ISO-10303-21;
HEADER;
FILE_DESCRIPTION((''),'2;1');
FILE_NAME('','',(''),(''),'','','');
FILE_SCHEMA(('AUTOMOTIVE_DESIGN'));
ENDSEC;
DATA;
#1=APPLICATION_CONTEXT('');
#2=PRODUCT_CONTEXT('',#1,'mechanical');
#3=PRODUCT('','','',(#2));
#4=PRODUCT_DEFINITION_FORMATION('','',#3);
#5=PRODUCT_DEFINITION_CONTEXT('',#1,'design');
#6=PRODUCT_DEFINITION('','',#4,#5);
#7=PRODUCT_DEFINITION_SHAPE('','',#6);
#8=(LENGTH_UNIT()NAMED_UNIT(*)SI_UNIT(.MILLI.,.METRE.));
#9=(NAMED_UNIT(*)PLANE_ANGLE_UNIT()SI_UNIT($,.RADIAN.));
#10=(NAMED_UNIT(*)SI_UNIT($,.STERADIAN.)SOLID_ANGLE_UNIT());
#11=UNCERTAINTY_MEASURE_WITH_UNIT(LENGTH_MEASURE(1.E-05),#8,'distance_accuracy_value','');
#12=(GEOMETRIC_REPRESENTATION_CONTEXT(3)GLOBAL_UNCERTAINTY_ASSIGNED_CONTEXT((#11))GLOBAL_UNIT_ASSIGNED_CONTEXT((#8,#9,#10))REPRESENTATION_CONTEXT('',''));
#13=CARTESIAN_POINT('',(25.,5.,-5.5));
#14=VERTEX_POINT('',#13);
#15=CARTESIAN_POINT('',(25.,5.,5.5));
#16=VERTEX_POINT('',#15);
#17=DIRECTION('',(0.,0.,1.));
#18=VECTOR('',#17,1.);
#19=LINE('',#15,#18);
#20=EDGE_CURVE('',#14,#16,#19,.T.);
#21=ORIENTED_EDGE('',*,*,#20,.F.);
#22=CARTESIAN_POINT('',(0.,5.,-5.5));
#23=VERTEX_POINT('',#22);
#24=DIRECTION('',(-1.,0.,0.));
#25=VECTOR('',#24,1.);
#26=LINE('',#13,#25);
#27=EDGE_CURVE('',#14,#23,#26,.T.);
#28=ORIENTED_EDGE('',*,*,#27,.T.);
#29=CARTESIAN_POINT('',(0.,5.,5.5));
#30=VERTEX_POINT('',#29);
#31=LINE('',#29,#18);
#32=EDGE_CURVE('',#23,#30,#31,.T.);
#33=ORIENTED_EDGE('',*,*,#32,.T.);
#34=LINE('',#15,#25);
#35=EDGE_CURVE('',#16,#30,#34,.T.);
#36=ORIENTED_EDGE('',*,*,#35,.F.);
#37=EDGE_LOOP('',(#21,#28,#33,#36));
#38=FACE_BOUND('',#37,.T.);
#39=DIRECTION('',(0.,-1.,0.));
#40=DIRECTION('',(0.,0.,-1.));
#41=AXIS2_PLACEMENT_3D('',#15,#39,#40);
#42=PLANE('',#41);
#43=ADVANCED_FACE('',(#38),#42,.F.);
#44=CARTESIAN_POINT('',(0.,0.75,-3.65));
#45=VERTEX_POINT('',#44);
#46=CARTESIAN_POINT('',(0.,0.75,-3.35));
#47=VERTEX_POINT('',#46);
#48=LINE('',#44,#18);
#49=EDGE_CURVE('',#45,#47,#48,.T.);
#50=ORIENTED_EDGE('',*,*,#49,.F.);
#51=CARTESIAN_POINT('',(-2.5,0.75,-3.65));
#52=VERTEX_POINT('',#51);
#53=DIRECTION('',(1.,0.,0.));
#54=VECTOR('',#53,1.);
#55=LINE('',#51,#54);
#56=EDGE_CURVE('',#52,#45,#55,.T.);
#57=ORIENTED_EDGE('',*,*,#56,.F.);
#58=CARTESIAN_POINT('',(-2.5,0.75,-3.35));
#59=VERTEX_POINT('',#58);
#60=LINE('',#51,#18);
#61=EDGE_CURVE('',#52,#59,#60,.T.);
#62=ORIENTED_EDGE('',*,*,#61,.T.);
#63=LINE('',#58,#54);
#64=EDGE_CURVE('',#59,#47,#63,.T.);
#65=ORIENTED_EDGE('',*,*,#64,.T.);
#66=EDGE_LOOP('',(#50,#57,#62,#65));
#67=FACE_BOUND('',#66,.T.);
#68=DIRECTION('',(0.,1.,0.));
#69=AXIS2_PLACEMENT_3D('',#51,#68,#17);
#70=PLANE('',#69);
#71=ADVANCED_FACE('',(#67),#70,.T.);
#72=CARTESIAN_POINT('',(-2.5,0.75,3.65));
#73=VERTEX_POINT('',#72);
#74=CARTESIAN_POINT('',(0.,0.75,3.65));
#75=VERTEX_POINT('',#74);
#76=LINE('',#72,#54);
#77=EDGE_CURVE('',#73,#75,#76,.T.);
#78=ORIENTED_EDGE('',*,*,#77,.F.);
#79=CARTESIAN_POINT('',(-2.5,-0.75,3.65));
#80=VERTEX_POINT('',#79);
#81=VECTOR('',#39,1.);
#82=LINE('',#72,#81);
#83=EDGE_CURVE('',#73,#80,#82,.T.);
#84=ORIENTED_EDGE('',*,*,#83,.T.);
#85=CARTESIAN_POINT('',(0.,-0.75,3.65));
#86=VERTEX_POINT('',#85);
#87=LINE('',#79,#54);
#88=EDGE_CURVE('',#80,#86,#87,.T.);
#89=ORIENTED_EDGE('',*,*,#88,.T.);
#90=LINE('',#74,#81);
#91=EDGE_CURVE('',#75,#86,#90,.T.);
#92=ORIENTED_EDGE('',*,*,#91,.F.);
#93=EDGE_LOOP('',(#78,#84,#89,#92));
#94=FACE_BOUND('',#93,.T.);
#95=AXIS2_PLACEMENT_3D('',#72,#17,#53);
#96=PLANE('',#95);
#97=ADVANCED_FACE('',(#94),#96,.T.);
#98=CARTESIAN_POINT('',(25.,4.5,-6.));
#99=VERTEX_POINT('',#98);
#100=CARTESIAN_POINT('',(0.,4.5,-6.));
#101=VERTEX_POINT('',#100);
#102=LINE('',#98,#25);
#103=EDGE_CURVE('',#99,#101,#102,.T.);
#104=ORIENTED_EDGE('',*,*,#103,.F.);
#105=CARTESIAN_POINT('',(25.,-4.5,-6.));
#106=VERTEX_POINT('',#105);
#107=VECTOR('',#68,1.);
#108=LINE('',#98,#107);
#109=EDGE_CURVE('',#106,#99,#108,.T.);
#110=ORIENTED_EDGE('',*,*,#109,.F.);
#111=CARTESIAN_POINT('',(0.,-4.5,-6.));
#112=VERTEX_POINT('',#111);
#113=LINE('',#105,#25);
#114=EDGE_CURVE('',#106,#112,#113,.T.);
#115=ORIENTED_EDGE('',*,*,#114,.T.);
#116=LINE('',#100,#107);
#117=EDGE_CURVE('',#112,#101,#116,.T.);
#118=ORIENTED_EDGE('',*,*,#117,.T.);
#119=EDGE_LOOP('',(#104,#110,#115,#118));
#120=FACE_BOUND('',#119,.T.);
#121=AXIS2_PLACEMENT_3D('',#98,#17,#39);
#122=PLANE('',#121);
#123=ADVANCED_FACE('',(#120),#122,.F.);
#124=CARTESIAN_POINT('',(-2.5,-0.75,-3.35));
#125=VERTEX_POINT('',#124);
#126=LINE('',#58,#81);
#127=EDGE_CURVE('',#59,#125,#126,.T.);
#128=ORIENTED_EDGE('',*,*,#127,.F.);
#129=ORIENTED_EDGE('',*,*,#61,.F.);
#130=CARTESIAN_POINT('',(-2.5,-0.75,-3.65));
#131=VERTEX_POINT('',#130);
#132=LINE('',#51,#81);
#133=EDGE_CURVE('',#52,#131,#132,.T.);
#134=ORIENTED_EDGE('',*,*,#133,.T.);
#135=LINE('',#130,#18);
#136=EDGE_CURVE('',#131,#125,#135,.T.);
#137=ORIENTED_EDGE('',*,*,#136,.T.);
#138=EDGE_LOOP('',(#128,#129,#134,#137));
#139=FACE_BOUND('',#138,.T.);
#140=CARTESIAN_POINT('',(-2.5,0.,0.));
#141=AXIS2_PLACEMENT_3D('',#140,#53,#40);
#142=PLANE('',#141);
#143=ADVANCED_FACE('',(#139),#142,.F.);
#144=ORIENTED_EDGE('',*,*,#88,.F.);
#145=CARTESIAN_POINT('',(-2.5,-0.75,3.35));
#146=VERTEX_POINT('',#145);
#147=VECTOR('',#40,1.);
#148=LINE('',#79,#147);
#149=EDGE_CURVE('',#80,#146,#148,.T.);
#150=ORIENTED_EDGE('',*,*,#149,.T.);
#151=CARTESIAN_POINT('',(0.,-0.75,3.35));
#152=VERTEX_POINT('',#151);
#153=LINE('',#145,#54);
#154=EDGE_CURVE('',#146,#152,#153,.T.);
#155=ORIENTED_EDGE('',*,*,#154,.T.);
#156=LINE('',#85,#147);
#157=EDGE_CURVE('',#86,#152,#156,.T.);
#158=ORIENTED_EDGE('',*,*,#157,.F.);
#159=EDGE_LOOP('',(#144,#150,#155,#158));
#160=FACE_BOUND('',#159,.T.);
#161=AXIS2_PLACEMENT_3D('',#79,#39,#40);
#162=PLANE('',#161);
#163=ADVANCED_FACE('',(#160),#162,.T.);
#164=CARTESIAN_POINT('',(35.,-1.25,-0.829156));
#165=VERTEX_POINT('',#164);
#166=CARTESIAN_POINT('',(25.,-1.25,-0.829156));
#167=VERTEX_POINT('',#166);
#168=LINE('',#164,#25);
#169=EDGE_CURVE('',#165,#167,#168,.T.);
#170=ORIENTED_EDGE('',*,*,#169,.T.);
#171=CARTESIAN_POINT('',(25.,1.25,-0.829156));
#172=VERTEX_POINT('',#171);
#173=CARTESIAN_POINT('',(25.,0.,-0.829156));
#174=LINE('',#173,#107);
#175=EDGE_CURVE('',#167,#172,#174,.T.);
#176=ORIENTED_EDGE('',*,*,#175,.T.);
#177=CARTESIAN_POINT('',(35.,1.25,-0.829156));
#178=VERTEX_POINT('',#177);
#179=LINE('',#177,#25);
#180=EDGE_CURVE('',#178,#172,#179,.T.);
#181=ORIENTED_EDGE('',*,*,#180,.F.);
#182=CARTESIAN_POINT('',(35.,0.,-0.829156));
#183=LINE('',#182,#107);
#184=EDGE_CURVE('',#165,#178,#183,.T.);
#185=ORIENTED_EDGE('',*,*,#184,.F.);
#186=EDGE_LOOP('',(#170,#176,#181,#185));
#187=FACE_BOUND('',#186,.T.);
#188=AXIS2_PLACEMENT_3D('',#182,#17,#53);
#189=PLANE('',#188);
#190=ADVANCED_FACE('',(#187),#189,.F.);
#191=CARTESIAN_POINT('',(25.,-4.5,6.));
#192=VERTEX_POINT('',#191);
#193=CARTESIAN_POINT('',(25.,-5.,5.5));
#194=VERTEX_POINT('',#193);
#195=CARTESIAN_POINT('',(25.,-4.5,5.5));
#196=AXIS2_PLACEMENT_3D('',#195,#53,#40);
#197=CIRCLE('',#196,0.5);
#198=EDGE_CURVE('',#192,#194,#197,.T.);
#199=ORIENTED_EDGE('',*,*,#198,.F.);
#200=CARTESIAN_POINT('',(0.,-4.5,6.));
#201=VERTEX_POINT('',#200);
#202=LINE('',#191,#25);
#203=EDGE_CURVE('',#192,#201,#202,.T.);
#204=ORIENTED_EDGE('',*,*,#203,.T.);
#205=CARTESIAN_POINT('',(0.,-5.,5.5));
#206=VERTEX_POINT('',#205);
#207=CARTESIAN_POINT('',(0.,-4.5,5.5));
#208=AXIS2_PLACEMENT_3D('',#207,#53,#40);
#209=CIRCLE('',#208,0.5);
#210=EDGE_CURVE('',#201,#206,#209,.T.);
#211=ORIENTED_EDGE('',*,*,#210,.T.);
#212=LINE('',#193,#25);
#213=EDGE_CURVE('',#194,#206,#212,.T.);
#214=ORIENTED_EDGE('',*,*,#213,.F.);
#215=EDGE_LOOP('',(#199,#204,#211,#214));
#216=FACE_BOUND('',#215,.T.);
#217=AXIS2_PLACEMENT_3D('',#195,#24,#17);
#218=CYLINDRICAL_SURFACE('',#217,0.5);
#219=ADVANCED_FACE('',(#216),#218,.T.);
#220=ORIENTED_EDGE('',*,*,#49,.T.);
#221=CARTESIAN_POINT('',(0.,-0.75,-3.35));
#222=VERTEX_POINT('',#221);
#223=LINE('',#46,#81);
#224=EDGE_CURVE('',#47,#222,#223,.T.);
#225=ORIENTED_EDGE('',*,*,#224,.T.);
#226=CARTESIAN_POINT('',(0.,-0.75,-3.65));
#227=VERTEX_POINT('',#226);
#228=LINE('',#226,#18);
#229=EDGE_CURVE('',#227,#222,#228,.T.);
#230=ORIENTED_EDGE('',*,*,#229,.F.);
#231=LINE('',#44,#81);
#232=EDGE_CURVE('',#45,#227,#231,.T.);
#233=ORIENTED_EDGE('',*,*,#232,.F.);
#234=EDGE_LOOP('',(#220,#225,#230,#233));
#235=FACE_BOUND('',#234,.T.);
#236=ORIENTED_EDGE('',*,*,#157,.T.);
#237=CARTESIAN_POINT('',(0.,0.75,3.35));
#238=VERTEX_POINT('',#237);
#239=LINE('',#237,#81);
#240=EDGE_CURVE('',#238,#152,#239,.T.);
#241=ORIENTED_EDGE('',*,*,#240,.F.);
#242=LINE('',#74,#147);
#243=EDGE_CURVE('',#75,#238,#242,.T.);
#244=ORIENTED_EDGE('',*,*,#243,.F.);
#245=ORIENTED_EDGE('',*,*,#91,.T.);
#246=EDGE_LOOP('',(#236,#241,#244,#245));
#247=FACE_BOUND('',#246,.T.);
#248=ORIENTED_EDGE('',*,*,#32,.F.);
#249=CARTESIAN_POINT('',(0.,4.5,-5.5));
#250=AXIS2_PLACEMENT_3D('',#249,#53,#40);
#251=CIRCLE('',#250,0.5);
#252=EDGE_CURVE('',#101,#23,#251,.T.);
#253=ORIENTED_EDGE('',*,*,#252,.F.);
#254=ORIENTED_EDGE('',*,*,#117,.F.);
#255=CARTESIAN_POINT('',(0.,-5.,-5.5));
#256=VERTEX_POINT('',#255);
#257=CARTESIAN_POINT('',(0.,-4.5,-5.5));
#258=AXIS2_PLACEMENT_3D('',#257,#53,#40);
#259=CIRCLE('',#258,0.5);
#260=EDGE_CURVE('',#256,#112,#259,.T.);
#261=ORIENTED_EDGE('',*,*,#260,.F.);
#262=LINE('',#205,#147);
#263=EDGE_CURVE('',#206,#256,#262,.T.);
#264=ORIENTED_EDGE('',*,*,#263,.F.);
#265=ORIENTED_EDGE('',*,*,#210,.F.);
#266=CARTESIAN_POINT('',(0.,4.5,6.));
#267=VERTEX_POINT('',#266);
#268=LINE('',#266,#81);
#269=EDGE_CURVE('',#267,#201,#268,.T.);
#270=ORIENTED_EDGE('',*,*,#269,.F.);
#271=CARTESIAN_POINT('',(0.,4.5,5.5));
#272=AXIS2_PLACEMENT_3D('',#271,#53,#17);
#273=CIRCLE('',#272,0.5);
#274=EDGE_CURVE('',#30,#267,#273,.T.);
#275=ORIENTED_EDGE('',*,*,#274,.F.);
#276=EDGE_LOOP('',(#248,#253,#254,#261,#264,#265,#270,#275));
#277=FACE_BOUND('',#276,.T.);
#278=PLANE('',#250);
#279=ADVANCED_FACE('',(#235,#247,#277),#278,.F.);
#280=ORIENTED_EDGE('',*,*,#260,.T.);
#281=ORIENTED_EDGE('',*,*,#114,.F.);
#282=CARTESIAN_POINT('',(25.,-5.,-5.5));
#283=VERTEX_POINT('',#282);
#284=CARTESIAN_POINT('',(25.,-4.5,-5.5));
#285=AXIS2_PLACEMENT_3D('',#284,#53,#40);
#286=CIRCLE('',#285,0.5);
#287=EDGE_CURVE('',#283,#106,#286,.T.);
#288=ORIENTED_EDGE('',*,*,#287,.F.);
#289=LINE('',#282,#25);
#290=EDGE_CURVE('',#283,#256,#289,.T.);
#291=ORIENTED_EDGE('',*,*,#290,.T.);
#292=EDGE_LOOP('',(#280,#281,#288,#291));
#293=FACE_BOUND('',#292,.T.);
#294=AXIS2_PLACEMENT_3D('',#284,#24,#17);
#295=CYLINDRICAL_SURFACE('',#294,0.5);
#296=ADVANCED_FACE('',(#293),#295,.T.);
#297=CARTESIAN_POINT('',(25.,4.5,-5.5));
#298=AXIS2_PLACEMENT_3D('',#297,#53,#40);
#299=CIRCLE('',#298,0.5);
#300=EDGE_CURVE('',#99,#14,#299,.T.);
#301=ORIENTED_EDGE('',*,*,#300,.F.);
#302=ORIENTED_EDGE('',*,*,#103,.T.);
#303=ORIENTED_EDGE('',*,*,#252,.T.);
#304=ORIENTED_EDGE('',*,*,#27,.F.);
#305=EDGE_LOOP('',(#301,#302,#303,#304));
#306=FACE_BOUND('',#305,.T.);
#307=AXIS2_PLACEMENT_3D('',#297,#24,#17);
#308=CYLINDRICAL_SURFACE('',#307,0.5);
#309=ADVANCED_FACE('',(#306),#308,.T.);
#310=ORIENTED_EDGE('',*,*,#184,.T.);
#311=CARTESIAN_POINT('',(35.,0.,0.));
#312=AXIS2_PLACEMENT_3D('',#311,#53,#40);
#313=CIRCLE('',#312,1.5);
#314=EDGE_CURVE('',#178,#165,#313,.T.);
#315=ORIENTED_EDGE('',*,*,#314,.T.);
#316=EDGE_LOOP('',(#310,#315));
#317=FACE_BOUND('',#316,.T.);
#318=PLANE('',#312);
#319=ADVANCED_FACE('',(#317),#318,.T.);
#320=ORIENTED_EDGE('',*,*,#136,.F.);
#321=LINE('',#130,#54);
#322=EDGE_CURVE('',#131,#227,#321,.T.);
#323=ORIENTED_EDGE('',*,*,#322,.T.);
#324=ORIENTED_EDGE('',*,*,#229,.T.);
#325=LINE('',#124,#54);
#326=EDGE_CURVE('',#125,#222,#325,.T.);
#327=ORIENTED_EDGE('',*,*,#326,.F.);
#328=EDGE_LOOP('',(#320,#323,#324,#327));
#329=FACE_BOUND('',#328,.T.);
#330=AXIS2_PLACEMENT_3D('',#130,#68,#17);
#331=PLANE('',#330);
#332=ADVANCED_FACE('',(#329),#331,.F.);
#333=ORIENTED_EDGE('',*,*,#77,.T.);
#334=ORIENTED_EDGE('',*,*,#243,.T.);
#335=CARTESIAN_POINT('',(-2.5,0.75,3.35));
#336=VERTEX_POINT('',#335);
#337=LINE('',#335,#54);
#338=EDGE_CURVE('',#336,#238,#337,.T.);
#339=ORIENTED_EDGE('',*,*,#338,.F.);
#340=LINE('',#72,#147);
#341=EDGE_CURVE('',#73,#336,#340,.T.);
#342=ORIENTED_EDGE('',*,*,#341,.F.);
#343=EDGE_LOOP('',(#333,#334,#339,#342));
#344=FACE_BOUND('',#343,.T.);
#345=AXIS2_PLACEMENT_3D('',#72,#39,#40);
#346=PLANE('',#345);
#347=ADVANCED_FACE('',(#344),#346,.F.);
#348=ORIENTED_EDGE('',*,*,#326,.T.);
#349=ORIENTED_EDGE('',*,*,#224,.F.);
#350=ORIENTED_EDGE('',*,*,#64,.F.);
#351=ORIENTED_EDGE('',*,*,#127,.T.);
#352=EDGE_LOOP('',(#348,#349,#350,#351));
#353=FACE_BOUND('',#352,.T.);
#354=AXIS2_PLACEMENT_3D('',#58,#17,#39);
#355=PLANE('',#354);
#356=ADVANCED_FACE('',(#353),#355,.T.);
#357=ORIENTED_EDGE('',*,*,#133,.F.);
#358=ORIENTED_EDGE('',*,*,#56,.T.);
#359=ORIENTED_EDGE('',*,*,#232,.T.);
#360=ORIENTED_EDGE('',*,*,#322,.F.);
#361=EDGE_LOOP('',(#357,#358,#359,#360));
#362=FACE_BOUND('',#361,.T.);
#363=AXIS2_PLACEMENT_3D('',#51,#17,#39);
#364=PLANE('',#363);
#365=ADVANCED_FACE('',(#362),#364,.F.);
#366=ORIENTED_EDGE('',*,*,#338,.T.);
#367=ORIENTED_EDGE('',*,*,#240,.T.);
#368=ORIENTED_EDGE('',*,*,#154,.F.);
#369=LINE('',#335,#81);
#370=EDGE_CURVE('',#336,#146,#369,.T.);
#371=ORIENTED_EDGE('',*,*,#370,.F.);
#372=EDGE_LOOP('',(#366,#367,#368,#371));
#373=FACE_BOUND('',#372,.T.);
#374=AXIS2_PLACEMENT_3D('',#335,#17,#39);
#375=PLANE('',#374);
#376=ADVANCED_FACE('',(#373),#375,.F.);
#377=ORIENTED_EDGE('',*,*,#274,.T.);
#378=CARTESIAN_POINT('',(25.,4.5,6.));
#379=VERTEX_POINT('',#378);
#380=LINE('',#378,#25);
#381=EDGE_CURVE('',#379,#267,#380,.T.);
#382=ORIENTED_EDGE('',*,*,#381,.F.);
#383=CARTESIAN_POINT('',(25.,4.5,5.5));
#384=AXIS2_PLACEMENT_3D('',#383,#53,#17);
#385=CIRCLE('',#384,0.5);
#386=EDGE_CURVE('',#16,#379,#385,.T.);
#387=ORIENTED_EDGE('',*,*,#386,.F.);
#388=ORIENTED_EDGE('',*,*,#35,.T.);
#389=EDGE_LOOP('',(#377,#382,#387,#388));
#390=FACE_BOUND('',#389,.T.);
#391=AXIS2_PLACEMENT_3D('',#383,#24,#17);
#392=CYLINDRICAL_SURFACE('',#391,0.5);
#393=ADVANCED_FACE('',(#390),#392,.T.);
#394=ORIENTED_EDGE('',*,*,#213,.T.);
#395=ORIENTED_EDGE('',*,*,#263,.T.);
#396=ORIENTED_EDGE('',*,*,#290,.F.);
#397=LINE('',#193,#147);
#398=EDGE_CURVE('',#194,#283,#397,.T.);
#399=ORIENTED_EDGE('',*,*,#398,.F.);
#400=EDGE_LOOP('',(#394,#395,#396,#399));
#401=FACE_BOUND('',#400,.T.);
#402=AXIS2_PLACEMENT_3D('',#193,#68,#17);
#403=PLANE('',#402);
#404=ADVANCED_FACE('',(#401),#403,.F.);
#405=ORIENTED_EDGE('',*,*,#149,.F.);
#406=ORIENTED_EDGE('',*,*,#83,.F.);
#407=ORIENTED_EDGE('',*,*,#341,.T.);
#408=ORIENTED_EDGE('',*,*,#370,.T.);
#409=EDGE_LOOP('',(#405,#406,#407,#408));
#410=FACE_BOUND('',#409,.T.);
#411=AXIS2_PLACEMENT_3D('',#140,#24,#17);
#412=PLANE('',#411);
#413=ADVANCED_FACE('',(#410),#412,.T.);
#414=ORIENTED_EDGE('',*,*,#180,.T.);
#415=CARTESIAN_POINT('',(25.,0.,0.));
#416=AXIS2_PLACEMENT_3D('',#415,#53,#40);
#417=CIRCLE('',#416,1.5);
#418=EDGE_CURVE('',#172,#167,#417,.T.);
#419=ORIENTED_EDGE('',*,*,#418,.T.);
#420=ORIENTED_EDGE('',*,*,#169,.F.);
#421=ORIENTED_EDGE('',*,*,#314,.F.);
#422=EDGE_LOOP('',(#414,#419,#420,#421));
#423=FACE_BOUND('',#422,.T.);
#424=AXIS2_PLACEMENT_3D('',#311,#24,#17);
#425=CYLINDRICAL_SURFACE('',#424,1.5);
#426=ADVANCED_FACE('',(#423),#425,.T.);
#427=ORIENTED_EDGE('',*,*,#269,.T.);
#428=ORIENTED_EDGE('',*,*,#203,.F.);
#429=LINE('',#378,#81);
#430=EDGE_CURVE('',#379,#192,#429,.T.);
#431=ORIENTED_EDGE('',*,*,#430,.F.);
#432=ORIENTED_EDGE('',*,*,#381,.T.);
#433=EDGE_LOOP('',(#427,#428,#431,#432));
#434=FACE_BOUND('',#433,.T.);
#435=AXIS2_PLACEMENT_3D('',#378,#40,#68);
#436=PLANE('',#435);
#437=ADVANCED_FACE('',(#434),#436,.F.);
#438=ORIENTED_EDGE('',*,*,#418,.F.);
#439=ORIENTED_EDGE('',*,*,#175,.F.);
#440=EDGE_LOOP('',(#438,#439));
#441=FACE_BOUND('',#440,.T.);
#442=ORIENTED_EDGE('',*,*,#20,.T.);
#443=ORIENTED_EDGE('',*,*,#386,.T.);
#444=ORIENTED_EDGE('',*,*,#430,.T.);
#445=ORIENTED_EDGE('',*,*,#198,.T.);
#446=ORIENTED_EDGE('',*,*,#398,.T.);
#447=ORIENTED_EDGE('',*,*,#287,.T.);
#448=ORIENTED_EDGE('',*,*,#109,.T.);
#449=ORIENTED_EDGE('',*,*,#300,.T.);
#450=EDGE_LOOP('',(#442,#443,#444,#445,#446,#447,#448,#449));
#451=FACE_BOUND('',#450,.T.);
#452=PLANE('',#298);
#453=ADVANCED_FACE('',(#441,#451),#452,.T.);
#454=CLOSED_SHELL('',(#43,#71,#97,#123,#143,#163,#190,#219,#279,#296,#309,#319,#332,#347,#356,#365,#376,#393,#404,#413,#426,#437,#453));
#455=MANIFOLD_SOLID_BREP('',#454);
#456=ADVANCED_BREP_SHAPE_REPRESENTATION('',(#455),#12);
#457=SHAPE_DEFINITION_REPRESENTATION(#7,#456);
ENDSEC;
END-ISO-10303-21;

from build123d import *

# Parameters (mm, degrees)
EXTRUDE_1_DEPTH = 25
EXTRUDE_2_DEPTH = 10
SKETCH_3_W      = 0.3
SKETCH_3_H      = 1.5
EXTRUDE_3_DEPTH = 2.5


with BuildPart() as part:
    # 草图1 → 凸台-拉伸1 (new body)
    with BuildSketch(Plane(origin=(0, 0, 0), x_dir=(0, 0, -1), z_dir=(1, 0, 0))):
        with BuildLine():
            Line((-5.5, 5), (5.5, 5))
            ThreePointArc((5.5, 5), (5.853553391, 4.853553391), (6, 4.5))
            Line((6, 4.5), (6, -4.5))
            ThreePointArc((6, -4.5), (5.853553391, -4.853553391), (5.5, -5))
            Line((5.5, -5), (-5.5, -5))
            ThreePointArc((-5.5, -5), (-5.853553391, -4.853553391), (-6, -4.5))
            Line((-6, -4.5), (-6, 4.5))
            ThreePointArc((-6, 4.5), (-5.853553391, 4.853553391), (-5.5, 5))
        make_face()
    extrude(amount=EXTRUDE_1_DEPTH)

    # 草图2 → 凸台-拉伸2 (add)
    with BuildSketch(Plane(origin=(25, 0, 0), x_dir=(0, 0, -1), z_dir=(1, 0, 0))):
        with BuildLine():
            ThreePointArc((0.829156198, 1.25), (0.433012702, 1.436140662), (0, 1.5))
            Line((0, 1.5), (0, -1.5))
            ThreePointArc((0, -1.5), (0.433012702, -1.436140662), (0.829156198, -1.25))
            Line((0.829156198, -1.25), (0.829156198, 1.25))
        make_face()
        with BuildLine():
            Line((0, -1.5), (0, 1.5))
            ThreePointArc((0, 1.5), (-1.5, 0), (0, -1.5))
        make_face()
    extrude(amount=EXTRUDE_2_DEPTH)

    # 草图3 → 凸台-拉伸3 (add)
    with BuildSketch(Plane.ZY):
        with Locations((-3.5, 0)):
            Rectangle(SKETCH_3_W, SKETCH_3_H)
        with Locations((3.5, 0)):
            Rectangle(SKETCH_3_W, SKETCH_3_H)
    extrude(amount=EXTRUDE_3_DEPTH)


solid = part.part
